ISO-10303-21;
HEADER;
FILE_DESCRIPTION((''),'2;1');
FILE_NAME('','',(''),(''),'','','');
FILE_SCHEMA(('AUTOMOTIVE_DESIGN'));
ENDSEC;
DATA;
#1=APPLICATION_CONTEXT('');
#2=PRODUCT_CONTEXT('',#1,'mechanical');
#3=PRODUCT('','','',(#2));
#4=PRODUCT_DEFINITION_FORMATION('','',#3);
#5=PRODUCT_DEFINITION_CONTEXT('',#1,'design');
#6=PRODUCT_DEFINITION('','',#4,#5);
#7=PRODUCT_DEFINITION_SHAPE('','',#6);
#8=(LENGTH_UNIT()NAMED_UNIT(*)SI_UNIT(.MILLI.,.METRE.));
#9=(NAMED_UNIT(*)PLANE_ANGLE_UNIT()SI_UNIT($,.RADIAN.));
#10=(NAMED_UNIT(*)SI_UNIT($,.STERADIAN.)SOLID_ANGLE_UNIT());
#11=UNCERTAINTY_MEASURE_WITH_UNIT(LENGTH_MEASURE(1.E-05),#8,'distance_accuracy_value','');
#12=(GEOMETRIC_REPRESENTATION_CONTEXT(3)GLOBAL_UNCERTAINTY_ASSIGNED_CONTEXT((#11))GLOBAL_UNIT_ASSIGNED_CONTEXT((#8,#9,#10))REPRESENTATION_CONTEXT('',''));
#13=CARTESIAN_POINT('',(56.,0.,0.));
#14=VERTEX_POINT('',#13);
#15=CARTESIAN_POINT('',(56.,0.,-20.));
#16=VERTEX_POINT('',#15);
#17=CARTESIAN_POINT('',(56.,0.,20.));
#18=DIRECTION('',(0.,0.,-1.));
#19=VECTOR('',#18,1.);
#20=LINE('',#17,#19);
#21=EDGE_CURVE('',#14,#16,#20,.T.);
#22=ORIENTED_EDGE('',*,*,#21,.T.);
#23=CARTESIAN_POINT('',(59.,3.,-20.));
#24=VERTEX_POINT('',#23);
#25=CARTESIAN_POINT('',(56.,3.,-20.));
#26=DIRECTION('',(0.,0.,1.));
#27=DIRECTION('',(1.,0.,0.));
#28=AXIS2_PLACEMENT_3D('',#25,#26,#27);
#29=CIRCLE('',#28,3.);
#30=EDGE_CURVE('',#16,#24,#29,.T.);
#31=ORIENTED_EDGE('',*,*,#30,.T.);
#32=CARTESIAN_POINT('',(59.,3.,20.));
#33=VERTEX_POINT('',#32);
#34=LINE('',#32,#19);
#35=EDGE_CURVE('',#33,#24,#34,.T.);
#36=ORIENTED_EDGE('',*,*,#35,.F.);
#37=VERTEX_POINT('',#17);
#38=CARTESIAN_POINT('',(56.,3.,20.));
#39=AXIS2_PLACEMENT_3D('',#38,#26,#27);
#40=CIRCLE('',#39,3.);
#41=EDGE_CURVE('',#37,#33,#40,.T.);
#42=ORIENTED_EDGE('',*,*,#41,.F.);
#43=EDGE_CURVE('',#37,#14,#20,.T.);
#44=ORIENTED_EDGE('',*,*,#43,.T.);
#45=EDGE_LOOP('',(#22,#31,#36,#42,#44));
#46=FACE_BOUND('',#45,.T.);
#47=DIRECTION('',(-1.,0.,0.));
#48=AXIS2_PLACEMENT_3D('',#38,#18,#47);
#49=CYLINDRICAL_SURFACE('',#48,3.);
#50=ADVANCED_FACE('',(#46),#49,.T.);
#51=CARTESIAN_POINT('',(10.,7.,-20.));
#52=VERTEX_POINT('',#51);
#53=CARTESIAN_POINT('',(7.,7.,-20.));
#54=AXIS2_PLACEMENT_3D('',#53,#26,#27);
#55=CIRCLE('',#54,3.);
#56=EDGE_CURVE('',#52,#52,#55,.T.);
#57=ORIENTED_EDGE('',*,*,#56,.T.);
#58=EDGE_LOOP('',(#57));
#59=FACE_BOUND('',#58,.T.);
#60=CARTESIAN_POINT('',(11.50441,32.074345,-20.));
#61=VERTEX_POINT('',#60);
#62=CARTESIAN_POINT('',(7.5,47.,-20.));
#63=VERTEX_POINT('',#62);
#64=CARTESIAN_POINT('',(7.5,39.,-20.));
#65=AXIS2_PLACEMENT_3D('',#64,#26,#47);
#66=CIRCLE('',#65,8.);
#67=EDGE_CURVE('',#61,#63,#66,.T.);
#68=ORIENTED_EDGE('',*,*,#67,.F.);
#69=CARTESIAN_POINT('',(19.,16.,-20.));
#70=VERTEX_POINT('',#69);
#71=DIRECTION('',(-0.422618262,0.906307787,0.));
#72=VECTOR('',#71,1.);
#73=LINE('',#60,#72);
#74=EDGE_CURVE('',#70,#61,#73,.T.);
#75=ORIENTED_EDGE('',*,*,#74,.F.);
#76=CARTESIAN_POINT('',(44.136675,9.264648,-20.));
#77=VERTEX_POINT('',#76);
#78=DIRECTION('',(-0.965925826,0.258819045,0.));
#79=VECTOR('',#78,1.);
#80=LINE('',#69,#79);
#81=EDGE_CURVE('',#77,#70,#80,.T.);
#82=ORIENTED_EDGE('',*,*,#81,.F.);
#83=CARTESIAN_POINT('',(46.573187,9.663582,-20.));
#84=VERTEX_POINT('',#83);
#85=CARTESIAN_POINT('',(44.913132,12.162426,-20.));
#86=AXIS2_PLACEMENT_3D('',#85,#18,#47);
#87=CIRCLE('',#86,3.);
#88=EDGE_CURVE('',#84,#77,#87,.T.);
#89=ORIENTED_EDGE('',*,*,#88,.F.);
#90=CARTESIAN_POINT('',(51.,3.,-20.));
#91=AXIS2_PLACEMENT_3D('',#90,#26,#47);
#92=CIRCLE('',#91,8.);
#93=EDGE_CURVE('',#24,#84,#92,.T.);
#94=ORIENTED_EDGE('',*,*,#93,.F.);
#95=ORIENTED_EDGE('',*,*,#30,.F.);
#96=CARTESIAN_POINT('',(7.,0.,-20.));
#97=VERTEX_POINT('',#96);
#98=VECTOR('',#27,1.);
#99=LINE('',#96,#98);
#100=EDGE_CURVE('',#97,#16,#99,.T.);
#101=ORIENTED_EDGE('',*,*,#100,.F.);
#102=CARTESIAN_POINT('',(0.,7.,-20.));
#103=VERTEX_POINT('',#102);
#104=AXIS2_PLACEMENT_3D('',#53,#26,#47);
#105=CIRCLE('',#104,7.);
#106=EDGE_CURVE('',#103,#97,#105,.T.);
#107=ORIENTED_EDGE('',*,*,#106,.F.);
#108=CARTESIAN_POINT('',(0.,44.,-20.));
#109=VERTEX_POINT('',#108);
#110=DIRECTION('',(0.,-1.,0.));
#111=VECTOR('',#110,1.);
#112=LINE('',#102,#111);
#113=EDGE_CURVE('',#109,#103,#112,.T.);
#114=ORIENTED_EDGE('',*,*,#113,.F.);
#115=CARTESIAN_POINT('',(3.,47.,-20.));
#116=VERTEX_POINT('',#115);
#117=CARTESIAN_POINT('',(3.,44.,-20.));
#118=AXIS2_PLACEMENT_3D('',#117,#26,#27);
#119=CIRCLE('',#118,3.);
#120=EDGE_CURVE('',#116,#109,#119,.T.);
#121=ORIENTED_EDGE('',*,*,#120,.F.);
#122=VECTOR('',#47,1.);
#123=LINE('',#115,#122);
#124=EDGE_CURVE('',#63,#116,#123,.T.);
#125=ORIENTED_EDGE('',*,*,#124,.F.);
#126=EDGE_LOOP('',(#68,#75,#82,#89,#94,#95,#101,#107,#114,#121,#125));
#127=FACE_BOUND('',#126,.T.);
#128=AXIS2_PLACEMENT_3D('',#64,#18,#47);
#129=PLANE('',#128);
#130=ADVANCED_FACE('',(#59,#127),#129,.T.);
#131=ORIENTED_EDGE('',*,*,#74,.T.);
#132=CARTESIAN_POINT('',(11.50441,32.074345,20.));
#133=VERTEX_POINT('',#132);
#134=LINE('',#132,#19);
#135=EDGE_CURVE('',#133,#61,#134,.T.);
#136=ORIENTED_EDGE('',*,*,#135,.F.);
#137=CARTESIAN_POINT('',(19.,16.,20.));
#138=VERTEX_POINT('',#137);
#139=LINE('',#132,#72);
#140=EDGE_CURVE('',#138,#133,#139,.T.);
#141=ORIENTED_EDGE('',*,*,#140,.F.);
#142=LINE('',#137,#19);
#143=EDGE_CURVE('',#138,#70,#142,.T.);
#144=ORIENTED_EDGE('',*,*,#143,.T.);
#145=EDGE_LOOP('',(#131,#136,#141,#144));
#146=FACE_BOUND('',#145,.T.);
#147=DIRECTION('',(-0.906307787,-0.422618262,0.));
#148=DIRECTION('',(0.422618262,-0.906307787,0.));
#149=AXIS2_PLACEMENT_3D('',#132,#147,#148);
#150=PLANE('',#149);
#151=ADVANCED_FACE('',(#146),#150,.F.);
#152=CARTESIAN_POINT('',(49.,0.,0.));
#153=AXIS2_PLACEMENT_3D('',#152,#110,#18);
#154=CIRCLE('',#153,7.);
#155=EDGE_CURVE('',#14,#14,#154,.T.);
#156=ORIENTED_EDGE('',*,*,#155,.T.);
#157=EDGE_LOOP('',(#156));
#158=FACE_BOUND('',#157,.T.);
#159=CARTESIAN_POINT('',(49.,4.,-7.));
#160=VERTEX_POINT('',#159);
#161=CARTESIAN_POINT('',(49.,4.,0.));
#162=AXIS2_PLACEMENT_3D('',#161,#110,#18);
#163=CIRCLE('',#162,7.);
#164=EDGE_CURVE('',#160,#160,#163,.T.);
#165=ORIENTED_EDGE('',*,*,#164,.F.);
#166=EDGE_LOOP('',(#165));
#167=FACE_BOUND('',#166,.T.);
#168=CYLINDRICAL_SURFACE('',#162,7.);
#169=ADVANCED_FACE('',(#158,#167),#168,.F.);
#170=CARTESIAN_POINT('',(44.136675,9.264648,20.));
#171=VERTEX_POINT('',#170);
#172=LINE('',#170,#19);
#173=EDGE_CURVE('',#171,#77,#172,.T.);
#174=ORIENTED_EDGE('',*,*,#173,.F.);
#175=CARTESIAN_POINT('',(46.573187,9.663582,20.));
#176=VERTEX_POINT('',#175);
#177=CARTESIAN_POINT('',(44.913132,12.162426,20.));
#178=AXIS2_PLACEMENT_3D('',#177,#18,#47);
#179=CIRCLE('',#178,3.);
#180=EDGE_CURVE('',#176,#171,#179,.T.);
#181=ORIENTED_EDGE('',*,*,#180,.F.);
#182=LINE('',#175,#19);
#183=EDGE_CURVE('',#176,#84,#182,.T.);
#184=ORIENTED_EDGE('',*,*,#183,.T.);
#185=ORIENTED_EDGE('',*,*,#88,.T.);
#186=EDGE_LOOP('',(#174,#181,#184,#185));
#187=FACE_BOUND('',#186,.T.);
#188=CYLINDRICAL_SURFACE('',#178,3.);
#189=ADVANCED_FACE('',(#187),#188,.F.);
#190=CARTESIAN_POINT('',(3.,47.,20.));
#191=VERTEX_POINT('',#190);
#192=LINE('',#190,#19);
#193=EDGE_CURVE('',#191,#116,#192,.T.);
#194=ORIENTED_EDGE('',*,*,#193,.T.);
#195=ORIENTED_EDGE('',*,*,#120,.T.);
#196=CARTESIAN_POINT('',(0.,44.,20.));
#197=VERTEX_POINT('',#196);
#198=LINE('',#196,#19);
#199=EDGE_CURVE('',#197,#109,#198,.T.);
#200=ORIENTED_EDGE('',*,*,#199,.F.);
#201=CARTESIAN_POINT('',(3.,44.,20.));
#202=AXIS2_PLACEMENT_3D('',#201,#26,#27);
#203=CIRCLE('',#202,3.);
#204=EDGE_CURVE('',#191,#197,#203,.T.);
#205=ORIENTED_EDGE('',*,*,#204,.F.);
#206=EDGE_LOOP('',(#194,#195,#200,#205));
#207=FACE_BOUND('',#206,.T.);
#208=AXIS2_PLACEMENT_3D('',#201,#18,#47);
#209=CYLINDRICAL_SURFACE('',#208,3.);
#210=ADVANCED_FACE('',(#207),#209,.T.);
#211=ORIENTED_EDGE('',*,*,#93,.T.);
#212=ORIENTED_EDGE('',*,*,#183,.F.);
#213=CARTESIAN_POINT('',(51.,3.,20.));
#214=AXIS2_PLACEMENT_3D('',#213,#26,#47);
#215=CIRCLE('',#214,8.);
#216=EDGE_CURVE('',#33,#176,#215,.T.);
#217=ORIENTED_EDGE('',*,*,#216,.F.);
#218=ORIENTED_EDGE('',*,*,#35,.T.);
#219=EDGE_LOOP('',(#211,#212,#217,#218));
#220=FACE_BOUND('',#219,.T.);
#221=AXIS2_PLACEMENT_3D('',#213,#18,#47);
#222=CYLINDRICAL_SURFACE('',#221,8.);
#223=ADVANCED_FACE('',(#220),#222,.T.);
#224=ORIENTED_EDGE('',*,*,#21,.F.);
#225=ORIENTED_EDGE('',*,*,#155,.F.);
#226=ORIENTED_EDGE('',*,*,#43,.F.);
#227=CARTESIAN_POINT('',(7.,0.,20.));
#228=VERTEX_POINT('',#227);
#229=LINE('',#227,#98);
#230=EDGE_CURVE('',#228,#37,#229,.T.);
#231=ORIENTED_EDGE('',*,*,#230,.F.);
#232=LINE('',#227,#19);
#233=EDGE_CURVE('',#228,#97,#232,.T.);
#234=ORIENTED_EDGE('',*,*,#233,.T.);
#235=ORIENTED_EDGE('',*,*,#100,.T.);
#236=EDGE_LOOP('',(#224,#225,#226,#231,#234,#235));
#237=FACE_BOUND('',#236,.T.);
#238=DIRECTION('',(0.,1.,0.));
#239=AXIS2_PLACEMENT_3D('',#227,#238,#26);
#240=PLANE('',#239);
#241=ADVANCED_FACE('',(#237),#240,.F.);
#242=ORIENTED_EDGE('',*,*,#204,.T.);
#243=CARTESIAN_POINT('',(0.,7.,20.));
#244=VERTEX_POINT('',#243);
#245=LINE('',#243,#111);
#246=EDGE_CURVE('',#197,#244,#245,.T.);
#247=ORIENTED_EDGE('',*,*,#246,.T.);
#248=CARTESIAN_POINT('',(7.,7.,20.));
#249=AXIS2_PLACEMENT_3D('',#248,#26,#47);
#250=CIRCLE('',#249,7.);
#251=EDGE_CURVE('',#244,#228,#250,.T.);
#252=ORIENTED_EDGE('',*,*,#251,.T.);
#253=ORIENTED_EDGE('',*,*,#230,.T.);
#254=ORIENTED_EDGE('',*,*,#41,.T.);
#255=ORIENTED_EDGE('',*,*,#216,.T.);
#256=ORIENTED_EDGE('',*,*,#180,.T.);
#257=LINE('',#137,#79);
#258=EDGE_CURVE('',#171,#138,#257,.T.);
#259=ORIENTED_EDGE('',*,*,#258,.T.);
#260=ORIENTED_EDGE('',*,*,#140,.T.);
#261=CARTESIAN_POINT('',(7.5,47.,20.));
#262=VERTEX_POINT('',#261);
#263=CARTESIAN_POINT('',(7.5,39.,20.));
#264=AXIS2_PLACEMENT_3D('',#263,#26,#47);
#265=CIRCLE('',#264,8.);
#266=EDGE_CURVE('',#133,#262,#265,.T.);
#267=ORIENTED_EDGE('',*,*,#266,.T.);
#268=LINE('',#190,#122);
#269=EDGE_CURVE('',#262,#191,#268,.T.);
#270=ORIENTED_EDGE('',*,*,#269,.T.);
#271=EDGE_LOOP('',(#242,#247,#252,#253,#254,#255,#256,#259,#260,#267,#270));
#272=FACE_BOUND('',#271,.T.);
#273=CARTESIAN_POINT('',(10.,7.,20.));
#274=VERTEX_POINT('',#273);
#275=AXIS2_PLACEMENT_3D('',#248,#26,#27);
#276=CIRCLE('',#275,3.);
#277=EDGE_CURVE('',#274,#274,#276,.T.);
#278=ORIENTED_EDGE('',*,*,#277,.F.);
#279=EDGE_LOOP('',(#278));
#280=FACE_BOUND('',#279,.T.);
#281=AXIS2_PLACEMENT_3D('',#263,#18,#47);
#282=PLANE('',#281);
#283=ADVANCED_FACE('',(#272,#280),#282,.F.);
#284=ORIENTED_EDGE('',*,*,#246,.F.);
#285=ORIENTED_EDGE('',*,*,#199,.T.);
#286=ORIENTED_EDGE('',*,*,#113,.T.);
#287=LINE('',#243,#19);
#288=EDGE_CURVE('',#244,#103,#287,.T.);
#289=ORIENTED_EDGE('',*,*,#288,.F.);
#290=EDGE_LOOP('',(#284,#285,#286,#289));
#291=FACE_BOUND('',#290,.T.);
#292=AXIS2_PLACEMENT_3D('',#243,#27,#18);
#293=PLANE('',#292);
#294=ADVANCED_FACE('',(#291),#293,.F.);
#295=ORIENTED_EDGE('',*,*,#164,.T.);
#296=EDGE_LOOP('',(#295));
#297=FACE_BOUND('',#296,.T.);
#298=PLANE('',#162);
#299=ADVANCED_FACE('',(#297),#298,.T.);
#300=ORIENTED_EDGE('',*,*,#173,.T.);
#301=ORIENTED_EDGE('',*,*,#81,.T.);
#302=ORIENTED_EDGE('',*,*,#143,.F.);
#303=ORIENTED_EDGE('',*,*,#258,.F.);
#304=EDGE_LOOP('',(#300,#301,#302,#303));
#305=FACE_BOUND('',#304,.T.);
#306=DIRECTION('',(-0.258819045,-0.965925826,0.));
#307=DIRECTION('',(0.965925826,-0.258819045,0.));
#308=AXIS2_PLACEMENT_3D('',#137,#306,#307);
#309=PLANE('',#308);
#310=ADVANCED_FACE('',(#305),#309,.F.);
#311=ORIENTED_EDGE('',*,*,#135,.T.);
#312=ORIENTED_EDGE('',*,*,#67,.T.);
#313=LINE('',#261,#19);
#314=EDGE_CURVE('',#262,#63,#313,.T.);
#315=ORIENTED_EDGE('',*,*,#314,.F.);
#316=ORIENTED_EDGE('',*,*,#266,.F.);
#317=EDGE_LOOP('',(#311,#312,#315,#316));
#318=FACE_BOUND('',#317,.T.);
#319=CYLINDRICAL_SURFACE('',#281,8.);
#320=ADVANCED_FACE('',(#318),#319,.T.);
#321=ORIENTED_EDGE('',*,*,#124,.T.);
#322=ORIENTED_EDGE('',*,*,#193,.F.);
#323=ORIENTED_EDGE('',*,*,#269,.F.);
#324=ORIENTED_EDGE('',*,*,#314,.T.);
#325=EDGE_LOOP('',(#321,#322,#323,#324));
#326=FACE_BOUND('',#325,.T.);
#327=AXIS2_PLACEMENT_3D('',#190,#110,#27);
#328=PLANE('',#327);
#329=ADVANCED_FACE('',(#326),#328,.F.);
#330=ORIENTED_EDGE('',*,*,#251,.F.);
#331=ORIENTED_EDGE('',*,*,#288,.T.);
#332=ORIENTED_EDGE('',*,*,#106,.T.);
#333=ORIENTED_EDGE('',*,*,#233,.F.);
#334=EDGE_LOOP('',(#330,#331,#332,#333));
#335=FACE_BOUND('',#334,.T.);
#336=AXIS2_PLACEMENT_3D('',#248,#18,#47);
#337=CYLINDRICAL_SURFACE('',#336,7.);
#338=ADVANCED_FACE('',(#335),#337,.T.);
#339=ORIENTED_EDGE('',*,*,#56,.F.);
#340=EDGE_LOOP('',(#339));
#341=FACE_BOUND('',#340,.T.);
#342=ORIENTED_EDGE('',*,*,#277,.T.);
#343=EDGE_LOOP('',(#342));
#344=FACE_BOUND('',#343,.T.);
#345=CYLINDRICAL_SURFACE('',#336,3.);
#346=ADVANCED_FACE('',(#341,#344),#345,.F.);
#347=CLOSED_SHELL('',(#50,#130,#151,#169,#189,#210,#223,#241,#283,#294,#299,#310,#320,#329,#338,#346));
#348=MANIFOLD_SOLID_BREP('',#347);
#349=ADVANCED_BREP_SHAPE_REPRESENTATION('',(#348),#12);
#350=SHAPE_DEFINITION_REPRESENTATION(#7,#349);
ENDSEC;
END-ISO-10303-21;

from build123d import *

# Parameters (mm, degrees)
SKETCH_1_R          = 3
EXTRUDE_1_DEPTH     = 20
SKETCH_2_R          = 7
CUT_EXTRUDE_1_DEPTH = 4


with BuildPart() as part:
    # 스케치1 → 보스-돌출1 (new body, symmetric)
    with BuildSketch(Plane.XY):
        with BuildLine():
            Line((0, 7), (0, 44))
            ThreePointArc((0, 44), (0.878679656, 46.121320344), (3, 47))
            Line((3, 47), (7.5, 47))
            ThreePointArc((7.5, 47), (15.226747122, 41.07301204), (11.504409953, 32.074344729))
            Line((11.504409953, 32.074344729), (19, 16))
            Line((19, 16), (44.136675312, 9.26464815))
            ThreePointArc((44.136675312, 9.26464815), (45.397872906, 9.201846853), (46.573187235, 9.663582275))
            ThreePointArc((46.573187235, 9.663582275), (54.780575213, 10.050336947), (59, 3))
            ThreePointArc((59, 3), (58.121320344, 0.878679656), (56, 0))
            Line((56, 0), (7, 0))
            ThreePointArc((7, 0), (2.050252532, 2.050252532), (0, 7))
        make_face()
        with Locations((7, 7)):
            Circle(SKETCH_1_R, mode=Mode.SUBTRACT)
    extrude(amount=EXTRUDE_1_DEPTH, both=True)

    # 스케치2 → 컷-돌출1 (cut)
    with BuildSketch(Plane.XZ):
        with Locations((49, 0)):
            Circle(SKETCH_2_R)
    extrude(amount=-CUT_EXTRUDE_1_DEPTH, mode=Mode.SUBTRACT)


solid = part.part
